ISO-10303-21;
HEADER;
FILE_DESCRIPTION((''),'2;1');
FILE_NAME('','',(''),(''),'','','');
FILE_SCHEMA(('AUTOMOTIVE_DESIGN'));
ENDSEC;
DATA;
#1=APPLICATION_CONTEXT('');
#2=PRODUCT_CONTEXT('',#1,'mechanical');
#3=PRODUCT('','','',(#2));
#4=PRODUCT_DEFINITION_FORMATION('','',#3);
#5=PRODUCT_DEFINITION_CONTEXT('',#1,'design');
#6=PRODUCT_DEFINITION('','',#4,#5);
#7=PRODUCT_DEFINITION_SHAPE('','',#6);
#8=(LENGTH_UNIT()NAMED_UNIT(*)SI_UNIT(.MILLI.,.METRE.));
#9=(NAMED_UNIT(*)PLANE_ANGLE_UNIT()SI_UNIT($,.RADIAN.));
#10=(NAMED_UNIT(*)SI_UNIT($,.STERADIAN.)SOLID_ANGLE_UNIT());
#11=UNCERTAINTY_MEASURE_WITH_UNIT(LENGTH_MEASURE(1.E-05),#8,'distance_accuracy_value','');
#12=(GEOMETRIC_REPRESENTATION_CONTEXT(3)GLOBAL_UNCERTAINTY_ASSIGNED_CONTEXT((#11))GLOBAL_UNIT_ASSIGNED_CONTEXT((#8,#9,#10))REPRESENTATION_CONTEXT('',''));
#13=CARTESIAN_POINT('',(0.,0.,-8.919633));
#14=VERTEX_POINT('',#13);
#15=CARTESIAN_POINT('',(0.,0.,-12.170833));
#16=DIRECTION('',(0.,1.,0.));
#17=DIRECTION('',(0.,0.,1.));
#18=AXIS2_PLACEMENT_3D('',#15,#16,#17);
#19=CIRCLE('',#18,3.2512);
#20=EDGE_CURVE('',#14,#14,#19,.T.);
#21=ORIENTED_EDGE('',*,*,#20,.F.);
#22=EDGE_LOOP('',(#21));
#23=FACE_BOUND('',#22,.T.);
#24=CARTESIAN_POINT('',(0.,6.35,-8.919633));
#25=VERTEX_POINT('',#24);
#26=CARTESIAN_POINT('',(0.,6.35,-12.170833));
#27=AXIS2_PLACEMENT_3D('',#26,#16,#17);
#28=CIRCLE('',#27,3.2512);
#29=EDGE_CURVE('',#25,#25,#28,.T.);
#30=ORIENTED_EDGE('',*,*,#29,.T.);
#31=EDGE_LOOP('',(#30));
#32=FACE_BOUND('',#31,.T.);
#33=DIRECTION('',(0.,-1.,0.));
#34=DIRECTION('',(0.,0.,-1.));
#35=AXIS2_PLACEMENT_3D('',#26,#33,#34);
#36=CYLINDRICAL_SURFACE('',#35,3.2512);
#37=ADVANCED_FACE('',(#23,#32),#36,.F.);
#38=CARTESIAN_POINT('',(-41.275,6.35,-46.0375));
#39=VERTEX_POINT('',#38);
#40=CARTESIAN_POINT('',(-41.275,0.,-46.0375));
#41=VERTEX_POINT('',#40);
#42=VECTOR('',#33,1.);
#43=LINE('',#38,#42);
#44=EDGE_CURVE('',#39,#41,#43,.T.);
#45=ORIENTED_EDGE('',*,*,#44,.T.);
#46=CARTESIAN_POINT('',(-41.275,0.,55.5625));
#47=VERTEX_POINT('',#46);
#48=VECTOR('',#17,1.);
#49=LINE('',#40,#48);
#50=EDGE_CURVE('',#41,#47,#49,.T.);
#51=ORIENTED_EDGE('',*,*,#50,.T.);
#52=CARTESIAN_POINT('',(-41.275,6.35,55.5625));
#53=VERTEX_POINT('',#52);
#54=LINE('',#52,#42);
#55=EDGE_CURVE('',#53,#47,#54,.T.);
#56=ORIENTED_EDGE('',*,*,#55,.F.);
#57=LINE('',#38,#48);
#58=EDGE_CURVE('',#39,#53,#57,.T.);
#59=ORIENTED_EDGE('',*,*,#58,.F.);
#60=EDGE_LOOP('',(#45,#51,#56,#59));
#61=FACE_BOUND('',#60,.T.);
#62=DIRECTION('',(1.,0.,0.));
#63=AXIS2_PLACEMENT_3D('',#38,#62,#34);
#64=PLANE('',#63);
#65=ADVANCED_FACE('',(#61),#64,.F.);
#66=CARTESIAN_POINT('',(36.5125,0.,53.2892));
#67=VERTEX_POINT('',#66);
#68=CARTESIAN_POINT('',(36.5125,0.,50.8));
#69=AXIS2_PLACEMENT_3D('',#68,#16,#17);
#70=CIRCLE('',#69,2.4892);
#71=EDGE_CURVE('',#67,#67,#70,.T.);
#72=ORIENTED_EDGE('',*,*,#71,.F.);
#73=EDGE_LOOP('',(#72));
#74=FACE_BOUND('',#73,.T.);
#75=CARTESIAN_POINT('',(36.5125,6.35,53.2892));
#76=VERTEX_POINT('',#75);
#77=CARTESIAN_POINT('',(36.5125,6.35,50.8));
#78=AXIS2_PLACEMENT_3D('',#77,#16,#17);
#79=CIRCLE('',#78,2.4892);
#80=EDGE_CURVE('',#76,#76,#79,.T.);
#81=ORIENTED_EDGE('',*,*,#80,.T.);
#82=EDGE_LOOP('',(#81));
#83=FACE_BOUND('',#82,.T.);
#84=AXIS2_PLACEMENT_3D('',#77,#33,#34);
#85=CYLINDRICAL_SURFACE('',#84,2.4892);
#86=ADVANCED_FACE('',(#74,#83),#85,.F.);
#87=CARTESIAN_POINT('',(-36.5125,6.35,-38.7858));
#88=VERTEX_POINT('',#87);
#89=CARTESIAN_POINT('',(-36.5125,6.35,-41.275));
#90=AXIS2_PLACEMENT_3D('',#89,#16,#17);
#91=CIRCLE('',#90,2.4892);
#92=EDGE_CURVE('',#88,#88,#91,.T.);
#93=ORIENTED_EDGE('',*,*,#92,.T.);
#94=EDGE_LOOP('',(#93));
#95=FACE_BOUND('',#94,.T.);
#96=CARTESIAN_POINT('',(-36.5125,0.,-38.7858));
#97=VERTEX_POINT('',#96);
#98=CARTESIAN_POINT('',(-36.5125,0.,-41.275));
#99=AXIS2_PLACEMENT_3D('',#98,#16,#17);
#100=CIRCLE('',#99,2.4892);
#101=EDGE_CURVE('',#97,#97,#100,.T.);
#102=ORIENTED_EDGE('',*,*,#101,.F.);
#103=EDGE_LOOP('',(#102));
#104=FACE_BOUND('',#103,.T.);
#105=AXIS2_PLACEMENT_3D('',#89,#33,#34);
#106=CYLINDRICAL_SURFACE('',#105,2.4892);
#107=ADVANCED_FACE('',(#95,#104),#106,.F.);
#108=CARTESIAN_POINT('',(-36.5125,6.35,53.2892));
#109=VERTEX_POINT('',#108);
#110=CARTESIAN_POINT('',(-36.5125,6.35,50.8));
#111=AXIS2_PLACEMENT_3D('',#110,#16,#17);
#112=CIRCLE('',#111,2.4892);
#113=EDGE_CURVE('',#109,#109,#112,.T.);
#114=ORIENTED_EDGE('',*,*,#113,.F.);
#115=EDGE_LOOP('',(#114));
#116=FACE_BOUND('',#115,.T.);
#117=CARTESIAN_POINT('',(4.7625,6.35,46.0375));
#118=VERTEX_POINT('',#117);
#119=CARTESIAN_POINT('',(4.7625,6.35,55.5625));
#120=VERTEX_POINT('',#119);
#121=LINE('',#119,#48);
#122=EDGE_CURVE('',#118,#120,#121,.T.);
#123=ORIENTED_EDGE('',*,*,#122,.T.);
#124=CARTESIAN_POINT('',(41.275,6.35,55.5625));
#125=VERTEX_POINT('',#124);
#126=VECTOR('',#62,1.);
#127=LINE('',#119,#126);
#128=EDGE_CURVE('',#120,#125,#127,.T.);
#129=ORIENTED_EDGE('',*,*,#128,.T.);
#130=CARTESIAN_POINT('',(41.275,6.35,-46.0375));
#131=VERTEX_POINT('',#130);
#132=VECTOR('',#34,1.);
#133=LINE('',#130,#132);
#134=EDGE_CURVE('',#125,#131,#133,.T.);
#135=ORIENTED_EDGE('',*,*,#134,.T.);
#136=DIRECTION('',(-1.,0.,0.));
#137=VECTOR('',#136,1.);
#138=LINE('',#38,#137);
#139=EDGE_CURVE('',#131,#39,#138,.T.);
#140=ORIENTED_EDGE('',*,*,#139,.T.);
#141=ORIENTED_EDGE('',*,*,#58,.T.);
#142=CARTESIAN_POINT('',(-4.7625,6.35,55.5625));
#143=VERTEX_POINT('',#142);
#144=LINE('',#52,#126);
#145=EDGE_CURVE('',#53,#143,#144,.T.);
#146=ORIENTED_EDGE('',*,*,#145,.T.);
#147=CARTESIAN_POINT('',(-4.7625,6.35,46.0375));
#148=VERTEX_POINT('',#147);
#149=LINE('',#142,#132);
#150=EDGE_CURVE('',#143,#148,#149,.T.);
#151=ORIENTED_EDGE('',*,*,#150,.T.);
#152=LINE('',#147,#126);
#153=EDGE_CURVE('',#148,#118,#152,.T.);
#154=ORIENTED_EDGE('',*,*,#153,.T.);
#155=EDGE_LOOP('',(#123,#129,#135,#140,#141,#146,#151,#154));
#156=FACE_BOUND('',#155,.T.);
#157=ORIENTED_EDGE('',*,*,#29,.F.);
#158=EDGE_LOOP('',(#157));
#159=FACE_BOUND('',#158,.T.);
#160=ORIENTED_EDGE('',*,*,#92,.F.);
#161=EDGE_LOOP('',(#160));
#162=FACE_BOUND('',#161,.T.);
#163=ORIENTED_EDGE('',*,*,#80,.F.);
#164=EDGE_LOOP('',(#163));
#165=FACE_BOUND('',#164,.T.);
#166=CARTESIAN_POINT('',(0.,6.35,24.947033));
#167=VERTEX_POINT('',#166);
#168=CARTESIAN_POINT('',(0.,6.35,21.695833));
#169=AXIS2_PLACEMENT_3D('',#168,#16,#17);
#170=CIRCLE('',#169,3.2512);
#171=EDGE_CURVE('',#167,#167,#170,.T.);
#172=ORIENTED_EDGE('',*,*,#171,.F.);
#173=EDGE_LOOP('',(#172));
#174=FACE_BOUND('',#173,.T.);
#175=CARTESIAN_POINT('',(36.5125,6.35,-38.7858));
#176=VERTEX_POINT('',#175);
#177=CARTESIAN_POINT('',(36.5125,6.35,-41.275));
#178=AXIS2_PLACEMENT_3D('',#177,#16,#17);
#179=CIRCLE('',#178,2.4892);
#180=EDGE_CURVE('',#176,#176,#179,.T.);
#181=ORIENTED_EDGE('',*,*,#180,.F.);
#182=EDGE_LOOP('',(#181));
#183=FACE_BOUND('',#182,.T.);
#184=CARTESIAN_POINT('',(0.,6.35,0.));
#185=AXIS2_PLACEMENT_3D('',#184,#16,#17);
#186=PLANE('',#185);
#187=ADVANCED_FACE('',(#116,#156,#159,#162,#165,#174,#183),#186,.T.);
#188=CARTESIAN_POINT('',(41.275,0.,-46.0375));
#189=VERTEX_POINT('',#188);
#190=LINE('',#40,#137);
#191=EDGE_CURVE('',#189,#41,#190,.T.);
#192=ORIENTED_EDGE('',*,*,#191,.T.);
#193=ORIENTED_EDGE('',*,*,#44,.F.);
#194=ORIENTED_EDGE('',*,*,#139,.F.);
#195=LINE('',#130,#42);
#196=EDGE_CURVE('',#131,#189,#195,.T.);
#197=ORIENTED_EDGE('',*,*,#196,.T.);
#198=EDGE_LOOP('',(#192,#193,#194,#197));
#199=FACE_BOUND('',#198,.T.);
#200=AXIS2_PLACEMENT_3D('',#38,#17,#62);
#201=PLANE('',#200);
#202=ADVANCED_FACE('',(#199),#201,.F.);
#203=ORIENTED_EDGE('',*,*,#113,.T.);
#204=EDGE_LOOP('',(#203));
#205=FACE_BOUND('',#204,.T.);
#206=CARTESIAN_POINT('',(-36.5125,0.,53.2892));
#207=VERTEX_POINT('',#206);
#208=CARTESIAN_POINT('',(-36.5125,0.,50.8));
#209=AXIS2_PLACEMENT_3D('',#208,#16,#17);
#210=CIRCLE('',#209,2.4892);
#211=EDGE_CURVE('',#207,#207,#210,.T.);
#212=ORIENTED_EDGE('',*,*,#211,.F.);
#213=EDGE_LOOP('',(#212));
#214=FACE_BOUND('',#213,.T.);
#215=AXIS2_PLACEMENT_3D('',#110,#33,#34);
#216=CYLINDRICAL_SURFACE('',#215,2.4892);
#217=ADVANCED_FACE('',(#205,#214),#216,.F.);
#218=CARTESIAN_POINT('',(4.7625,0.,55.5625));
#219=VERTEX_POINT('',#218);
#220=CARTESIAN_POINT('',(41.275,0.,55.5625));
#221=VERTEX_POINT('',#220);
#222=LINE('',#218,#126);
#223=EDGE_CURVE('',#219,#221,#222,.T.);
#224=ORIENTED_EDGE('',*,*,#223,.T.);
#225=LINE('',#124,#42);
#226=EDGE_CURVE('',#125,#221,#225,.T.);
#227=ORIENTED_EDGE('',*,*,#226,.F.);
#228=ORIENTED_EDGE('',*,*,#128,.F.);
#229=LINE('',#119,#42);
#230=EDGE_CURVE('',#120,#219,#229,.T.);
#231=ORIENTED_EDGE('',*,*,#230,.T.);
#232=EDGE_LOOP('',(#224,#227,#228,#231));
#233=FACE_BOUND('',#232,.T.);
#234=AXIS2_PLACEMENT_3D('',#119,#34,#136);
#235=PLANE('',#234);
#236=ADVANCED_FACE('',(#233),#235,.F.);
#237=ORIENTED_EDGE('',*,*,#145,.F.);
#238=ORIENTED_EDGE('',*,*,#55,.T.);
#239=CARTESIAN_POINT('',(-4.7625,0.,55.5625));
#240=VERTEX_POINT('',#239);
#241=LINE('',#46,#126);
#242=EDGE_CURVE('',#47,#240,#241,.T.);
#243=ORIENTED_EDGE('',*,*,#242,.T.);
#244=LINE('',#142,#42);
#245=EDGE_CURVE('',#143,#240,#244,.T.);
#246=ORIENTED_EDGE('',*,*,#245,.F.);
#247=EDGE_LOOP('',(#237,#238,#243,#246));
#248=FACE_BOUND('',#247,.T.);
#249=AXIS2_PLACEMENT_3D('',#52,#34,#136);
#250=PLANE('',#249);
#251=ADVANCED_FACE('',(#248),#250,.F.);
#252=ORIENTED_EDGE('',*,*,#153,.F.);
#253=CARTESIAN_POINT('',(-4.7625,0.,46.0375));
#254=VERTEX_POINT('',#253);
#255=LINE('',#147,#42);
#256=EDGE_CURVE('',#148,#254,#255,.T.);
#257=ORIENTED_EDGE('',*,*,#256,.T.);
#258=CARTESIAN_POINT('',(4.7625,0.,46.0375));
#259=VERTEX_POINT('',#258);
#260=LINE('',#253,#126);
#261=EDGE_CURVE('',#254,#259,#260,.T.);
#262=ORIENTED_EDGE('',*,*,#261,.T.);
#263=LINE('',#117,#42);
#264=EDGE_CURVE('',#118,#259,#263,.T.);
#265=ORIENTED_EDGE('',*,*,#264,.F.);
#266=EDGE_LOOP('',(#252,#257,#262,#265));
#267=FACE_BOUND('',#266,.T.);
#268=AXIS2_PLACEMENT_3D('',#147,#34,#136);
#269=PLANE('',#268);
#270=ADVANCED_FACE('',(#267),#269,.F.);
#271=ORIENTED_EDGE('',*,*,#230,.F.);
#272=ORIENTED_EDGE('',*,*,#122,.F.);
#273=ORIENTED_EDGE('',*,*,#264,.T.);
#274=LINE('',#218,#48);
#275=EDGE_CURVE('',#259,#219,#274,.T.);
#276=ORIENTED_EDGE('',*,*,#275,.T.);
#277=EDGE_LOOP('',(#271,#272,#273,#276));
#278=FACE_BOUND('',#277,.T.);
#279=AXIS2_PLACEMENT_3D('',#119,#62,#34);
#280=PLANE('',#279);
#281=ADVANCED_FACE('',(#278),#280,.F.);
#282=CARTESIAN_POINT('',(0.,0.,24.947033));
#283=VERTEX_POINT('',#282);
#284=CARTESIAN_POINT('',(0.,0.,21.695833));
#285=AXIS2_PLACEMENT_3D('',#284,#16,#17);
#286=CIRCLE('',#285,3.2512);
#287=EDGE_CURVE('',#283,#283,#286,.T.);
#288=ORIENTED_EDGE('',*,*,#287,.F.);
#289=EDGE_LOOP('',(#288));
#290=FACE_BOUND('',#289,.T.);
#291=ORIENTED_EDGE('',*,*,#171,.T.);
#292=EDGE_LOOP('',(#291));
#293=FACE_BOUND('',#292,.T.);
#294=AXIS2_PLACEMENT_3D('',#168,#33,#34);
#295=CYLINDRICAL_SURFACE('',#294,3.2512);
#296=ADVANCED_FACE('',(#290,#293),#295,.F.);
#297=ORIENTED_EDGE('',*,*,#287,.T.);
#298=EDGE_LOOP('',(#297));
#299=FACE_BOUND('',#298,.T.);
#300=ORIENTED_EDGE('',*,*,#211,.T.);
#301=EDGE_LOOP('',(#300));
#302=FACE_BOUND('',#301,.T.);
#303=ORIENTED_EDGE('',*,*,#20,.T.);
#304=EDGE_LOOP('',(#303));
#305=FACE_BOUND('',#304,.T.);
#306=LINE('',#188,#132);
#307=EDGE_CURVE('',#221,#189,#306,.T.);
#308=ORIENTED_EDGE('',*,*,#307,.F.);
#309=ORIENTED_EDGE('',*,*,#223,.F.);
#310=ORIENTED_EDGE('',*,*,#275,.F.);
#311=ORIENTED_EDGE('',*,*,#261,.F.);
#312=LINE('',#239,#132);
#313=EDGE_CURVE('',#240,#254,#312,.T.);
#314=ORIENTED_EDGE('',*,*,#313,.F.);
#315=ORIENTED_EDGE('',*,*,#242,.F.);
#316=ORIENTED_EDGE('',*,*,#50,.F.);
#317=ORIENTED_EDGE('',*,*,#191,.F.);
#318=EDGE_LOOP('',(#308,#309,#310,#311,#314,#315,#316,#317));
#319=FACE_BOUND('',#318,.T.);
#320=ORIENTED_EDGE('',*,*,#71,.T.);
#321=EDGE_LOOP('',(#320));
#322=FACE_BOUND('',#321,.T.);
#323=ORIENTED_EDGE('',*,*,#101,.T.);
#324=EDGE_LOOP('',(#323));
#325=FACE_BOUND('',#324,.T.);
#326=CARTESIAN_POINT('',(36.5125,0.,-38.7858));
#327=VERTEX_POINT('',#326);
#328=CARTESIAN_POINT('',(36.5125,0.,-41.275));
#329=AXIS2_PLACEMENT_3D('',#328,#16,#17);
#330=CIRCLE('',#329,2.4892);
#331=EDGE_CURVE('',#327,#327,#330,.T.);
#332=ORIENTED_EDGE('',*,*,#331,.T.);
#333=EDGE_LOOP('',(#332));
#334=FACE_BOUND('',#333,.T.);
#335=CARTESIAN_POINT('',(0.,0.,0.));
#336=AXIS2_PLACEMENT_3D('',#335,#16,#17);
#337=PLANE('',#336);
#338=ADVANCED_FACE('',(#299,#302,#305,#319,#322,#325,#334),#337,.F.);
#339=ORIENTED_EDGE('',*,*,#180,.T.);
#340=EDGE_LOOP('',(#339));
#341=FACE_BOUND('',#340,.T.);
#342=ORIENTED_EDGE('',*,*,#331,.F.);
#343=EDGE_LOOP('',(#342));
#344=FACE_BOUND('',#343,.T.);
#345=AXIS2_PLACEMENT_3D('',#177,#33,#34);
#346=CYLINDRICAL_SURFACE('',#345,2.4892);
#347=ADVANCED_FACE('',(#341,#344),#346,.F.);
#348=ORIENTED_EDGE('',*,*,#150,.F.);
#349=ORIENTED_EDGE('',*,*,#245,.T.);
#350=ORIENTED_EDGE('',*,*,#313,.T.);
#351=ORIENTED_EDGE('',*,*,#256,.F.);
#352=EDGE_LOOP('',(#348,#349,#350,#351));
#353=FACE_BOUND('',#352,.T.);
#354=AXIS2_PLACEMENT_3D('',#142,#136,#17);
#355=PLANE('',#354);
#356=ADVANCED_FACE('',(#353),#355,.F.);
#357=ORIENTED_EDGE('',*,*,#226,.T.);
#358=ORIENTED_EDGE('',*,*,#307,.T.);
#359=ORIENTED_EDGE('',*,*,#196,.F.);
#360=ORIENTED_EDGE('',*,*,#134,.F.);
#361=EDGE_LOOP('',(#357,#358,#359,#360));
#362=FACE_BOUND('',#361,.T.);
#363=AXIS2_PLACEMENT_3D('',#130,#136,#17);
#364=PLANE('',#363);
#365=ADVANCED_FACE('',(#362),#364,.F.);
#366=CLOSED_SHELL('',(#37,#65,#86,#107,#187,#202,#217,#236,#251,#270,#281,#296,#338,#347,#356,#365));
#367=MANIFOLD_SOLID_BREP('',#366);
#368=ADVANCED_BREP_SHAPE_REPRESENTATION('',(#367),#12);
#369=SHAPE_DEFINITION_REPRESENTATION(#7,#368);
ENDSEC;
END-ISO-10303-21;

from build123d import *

# Parameters (mm, degrees)
SKETCH1_R           = 2.4892
SKETCH1_R_2         = 3.2512
BOSS_EXTRUDE1_DEPTH = 6.35


with BuildPart() as part:
    # Sketch1 → Boss-Extrude1 (new body)
    with BuildSketch(Plane(origin=(0, 0, 0), x_dir=(1, 0, 0), z_dir=(0, 1, 0))):
        Polygon((-41.275, 46.0375), (41.275, 46.0375), (41.275, -55.5625), (4.7625, -55.5625), (4.7625, -46.0375), (-4.7625, -46.0375), (-4.7625, -55.5625), (-41.275, -55.5625), align=None)
        with Locations((-36.5125, 41.275)):
            Circle(SKETCH1_R, mode=Mode.SUBTRACT)
        with Locations((36.5125, 41.275)):
            Circle(SKETCH1_R, mode=Mode.SUBTRACT)
        with Locations((36.5125, -50.8)):
            Circle(SKETCH1_R, mode=Mode.SUBTRACT)
        with Locations((-36.5125, -50.8)):
            Circle(SKETCH1_R, mode=Mode.SUBTRACT)
        with Locations((0, 12.170833333)):
            Circle(SKETCH1_R_2, mode=Mode.SUBTRACT)
        with Locations((0, -21.695833333)):
            Circle(SKETCH1_R_2, mode=Mode.SUBTRACT)
    extrude(amount=BOSS_EXTRUDE1_DEPTH)


solid = part.part
